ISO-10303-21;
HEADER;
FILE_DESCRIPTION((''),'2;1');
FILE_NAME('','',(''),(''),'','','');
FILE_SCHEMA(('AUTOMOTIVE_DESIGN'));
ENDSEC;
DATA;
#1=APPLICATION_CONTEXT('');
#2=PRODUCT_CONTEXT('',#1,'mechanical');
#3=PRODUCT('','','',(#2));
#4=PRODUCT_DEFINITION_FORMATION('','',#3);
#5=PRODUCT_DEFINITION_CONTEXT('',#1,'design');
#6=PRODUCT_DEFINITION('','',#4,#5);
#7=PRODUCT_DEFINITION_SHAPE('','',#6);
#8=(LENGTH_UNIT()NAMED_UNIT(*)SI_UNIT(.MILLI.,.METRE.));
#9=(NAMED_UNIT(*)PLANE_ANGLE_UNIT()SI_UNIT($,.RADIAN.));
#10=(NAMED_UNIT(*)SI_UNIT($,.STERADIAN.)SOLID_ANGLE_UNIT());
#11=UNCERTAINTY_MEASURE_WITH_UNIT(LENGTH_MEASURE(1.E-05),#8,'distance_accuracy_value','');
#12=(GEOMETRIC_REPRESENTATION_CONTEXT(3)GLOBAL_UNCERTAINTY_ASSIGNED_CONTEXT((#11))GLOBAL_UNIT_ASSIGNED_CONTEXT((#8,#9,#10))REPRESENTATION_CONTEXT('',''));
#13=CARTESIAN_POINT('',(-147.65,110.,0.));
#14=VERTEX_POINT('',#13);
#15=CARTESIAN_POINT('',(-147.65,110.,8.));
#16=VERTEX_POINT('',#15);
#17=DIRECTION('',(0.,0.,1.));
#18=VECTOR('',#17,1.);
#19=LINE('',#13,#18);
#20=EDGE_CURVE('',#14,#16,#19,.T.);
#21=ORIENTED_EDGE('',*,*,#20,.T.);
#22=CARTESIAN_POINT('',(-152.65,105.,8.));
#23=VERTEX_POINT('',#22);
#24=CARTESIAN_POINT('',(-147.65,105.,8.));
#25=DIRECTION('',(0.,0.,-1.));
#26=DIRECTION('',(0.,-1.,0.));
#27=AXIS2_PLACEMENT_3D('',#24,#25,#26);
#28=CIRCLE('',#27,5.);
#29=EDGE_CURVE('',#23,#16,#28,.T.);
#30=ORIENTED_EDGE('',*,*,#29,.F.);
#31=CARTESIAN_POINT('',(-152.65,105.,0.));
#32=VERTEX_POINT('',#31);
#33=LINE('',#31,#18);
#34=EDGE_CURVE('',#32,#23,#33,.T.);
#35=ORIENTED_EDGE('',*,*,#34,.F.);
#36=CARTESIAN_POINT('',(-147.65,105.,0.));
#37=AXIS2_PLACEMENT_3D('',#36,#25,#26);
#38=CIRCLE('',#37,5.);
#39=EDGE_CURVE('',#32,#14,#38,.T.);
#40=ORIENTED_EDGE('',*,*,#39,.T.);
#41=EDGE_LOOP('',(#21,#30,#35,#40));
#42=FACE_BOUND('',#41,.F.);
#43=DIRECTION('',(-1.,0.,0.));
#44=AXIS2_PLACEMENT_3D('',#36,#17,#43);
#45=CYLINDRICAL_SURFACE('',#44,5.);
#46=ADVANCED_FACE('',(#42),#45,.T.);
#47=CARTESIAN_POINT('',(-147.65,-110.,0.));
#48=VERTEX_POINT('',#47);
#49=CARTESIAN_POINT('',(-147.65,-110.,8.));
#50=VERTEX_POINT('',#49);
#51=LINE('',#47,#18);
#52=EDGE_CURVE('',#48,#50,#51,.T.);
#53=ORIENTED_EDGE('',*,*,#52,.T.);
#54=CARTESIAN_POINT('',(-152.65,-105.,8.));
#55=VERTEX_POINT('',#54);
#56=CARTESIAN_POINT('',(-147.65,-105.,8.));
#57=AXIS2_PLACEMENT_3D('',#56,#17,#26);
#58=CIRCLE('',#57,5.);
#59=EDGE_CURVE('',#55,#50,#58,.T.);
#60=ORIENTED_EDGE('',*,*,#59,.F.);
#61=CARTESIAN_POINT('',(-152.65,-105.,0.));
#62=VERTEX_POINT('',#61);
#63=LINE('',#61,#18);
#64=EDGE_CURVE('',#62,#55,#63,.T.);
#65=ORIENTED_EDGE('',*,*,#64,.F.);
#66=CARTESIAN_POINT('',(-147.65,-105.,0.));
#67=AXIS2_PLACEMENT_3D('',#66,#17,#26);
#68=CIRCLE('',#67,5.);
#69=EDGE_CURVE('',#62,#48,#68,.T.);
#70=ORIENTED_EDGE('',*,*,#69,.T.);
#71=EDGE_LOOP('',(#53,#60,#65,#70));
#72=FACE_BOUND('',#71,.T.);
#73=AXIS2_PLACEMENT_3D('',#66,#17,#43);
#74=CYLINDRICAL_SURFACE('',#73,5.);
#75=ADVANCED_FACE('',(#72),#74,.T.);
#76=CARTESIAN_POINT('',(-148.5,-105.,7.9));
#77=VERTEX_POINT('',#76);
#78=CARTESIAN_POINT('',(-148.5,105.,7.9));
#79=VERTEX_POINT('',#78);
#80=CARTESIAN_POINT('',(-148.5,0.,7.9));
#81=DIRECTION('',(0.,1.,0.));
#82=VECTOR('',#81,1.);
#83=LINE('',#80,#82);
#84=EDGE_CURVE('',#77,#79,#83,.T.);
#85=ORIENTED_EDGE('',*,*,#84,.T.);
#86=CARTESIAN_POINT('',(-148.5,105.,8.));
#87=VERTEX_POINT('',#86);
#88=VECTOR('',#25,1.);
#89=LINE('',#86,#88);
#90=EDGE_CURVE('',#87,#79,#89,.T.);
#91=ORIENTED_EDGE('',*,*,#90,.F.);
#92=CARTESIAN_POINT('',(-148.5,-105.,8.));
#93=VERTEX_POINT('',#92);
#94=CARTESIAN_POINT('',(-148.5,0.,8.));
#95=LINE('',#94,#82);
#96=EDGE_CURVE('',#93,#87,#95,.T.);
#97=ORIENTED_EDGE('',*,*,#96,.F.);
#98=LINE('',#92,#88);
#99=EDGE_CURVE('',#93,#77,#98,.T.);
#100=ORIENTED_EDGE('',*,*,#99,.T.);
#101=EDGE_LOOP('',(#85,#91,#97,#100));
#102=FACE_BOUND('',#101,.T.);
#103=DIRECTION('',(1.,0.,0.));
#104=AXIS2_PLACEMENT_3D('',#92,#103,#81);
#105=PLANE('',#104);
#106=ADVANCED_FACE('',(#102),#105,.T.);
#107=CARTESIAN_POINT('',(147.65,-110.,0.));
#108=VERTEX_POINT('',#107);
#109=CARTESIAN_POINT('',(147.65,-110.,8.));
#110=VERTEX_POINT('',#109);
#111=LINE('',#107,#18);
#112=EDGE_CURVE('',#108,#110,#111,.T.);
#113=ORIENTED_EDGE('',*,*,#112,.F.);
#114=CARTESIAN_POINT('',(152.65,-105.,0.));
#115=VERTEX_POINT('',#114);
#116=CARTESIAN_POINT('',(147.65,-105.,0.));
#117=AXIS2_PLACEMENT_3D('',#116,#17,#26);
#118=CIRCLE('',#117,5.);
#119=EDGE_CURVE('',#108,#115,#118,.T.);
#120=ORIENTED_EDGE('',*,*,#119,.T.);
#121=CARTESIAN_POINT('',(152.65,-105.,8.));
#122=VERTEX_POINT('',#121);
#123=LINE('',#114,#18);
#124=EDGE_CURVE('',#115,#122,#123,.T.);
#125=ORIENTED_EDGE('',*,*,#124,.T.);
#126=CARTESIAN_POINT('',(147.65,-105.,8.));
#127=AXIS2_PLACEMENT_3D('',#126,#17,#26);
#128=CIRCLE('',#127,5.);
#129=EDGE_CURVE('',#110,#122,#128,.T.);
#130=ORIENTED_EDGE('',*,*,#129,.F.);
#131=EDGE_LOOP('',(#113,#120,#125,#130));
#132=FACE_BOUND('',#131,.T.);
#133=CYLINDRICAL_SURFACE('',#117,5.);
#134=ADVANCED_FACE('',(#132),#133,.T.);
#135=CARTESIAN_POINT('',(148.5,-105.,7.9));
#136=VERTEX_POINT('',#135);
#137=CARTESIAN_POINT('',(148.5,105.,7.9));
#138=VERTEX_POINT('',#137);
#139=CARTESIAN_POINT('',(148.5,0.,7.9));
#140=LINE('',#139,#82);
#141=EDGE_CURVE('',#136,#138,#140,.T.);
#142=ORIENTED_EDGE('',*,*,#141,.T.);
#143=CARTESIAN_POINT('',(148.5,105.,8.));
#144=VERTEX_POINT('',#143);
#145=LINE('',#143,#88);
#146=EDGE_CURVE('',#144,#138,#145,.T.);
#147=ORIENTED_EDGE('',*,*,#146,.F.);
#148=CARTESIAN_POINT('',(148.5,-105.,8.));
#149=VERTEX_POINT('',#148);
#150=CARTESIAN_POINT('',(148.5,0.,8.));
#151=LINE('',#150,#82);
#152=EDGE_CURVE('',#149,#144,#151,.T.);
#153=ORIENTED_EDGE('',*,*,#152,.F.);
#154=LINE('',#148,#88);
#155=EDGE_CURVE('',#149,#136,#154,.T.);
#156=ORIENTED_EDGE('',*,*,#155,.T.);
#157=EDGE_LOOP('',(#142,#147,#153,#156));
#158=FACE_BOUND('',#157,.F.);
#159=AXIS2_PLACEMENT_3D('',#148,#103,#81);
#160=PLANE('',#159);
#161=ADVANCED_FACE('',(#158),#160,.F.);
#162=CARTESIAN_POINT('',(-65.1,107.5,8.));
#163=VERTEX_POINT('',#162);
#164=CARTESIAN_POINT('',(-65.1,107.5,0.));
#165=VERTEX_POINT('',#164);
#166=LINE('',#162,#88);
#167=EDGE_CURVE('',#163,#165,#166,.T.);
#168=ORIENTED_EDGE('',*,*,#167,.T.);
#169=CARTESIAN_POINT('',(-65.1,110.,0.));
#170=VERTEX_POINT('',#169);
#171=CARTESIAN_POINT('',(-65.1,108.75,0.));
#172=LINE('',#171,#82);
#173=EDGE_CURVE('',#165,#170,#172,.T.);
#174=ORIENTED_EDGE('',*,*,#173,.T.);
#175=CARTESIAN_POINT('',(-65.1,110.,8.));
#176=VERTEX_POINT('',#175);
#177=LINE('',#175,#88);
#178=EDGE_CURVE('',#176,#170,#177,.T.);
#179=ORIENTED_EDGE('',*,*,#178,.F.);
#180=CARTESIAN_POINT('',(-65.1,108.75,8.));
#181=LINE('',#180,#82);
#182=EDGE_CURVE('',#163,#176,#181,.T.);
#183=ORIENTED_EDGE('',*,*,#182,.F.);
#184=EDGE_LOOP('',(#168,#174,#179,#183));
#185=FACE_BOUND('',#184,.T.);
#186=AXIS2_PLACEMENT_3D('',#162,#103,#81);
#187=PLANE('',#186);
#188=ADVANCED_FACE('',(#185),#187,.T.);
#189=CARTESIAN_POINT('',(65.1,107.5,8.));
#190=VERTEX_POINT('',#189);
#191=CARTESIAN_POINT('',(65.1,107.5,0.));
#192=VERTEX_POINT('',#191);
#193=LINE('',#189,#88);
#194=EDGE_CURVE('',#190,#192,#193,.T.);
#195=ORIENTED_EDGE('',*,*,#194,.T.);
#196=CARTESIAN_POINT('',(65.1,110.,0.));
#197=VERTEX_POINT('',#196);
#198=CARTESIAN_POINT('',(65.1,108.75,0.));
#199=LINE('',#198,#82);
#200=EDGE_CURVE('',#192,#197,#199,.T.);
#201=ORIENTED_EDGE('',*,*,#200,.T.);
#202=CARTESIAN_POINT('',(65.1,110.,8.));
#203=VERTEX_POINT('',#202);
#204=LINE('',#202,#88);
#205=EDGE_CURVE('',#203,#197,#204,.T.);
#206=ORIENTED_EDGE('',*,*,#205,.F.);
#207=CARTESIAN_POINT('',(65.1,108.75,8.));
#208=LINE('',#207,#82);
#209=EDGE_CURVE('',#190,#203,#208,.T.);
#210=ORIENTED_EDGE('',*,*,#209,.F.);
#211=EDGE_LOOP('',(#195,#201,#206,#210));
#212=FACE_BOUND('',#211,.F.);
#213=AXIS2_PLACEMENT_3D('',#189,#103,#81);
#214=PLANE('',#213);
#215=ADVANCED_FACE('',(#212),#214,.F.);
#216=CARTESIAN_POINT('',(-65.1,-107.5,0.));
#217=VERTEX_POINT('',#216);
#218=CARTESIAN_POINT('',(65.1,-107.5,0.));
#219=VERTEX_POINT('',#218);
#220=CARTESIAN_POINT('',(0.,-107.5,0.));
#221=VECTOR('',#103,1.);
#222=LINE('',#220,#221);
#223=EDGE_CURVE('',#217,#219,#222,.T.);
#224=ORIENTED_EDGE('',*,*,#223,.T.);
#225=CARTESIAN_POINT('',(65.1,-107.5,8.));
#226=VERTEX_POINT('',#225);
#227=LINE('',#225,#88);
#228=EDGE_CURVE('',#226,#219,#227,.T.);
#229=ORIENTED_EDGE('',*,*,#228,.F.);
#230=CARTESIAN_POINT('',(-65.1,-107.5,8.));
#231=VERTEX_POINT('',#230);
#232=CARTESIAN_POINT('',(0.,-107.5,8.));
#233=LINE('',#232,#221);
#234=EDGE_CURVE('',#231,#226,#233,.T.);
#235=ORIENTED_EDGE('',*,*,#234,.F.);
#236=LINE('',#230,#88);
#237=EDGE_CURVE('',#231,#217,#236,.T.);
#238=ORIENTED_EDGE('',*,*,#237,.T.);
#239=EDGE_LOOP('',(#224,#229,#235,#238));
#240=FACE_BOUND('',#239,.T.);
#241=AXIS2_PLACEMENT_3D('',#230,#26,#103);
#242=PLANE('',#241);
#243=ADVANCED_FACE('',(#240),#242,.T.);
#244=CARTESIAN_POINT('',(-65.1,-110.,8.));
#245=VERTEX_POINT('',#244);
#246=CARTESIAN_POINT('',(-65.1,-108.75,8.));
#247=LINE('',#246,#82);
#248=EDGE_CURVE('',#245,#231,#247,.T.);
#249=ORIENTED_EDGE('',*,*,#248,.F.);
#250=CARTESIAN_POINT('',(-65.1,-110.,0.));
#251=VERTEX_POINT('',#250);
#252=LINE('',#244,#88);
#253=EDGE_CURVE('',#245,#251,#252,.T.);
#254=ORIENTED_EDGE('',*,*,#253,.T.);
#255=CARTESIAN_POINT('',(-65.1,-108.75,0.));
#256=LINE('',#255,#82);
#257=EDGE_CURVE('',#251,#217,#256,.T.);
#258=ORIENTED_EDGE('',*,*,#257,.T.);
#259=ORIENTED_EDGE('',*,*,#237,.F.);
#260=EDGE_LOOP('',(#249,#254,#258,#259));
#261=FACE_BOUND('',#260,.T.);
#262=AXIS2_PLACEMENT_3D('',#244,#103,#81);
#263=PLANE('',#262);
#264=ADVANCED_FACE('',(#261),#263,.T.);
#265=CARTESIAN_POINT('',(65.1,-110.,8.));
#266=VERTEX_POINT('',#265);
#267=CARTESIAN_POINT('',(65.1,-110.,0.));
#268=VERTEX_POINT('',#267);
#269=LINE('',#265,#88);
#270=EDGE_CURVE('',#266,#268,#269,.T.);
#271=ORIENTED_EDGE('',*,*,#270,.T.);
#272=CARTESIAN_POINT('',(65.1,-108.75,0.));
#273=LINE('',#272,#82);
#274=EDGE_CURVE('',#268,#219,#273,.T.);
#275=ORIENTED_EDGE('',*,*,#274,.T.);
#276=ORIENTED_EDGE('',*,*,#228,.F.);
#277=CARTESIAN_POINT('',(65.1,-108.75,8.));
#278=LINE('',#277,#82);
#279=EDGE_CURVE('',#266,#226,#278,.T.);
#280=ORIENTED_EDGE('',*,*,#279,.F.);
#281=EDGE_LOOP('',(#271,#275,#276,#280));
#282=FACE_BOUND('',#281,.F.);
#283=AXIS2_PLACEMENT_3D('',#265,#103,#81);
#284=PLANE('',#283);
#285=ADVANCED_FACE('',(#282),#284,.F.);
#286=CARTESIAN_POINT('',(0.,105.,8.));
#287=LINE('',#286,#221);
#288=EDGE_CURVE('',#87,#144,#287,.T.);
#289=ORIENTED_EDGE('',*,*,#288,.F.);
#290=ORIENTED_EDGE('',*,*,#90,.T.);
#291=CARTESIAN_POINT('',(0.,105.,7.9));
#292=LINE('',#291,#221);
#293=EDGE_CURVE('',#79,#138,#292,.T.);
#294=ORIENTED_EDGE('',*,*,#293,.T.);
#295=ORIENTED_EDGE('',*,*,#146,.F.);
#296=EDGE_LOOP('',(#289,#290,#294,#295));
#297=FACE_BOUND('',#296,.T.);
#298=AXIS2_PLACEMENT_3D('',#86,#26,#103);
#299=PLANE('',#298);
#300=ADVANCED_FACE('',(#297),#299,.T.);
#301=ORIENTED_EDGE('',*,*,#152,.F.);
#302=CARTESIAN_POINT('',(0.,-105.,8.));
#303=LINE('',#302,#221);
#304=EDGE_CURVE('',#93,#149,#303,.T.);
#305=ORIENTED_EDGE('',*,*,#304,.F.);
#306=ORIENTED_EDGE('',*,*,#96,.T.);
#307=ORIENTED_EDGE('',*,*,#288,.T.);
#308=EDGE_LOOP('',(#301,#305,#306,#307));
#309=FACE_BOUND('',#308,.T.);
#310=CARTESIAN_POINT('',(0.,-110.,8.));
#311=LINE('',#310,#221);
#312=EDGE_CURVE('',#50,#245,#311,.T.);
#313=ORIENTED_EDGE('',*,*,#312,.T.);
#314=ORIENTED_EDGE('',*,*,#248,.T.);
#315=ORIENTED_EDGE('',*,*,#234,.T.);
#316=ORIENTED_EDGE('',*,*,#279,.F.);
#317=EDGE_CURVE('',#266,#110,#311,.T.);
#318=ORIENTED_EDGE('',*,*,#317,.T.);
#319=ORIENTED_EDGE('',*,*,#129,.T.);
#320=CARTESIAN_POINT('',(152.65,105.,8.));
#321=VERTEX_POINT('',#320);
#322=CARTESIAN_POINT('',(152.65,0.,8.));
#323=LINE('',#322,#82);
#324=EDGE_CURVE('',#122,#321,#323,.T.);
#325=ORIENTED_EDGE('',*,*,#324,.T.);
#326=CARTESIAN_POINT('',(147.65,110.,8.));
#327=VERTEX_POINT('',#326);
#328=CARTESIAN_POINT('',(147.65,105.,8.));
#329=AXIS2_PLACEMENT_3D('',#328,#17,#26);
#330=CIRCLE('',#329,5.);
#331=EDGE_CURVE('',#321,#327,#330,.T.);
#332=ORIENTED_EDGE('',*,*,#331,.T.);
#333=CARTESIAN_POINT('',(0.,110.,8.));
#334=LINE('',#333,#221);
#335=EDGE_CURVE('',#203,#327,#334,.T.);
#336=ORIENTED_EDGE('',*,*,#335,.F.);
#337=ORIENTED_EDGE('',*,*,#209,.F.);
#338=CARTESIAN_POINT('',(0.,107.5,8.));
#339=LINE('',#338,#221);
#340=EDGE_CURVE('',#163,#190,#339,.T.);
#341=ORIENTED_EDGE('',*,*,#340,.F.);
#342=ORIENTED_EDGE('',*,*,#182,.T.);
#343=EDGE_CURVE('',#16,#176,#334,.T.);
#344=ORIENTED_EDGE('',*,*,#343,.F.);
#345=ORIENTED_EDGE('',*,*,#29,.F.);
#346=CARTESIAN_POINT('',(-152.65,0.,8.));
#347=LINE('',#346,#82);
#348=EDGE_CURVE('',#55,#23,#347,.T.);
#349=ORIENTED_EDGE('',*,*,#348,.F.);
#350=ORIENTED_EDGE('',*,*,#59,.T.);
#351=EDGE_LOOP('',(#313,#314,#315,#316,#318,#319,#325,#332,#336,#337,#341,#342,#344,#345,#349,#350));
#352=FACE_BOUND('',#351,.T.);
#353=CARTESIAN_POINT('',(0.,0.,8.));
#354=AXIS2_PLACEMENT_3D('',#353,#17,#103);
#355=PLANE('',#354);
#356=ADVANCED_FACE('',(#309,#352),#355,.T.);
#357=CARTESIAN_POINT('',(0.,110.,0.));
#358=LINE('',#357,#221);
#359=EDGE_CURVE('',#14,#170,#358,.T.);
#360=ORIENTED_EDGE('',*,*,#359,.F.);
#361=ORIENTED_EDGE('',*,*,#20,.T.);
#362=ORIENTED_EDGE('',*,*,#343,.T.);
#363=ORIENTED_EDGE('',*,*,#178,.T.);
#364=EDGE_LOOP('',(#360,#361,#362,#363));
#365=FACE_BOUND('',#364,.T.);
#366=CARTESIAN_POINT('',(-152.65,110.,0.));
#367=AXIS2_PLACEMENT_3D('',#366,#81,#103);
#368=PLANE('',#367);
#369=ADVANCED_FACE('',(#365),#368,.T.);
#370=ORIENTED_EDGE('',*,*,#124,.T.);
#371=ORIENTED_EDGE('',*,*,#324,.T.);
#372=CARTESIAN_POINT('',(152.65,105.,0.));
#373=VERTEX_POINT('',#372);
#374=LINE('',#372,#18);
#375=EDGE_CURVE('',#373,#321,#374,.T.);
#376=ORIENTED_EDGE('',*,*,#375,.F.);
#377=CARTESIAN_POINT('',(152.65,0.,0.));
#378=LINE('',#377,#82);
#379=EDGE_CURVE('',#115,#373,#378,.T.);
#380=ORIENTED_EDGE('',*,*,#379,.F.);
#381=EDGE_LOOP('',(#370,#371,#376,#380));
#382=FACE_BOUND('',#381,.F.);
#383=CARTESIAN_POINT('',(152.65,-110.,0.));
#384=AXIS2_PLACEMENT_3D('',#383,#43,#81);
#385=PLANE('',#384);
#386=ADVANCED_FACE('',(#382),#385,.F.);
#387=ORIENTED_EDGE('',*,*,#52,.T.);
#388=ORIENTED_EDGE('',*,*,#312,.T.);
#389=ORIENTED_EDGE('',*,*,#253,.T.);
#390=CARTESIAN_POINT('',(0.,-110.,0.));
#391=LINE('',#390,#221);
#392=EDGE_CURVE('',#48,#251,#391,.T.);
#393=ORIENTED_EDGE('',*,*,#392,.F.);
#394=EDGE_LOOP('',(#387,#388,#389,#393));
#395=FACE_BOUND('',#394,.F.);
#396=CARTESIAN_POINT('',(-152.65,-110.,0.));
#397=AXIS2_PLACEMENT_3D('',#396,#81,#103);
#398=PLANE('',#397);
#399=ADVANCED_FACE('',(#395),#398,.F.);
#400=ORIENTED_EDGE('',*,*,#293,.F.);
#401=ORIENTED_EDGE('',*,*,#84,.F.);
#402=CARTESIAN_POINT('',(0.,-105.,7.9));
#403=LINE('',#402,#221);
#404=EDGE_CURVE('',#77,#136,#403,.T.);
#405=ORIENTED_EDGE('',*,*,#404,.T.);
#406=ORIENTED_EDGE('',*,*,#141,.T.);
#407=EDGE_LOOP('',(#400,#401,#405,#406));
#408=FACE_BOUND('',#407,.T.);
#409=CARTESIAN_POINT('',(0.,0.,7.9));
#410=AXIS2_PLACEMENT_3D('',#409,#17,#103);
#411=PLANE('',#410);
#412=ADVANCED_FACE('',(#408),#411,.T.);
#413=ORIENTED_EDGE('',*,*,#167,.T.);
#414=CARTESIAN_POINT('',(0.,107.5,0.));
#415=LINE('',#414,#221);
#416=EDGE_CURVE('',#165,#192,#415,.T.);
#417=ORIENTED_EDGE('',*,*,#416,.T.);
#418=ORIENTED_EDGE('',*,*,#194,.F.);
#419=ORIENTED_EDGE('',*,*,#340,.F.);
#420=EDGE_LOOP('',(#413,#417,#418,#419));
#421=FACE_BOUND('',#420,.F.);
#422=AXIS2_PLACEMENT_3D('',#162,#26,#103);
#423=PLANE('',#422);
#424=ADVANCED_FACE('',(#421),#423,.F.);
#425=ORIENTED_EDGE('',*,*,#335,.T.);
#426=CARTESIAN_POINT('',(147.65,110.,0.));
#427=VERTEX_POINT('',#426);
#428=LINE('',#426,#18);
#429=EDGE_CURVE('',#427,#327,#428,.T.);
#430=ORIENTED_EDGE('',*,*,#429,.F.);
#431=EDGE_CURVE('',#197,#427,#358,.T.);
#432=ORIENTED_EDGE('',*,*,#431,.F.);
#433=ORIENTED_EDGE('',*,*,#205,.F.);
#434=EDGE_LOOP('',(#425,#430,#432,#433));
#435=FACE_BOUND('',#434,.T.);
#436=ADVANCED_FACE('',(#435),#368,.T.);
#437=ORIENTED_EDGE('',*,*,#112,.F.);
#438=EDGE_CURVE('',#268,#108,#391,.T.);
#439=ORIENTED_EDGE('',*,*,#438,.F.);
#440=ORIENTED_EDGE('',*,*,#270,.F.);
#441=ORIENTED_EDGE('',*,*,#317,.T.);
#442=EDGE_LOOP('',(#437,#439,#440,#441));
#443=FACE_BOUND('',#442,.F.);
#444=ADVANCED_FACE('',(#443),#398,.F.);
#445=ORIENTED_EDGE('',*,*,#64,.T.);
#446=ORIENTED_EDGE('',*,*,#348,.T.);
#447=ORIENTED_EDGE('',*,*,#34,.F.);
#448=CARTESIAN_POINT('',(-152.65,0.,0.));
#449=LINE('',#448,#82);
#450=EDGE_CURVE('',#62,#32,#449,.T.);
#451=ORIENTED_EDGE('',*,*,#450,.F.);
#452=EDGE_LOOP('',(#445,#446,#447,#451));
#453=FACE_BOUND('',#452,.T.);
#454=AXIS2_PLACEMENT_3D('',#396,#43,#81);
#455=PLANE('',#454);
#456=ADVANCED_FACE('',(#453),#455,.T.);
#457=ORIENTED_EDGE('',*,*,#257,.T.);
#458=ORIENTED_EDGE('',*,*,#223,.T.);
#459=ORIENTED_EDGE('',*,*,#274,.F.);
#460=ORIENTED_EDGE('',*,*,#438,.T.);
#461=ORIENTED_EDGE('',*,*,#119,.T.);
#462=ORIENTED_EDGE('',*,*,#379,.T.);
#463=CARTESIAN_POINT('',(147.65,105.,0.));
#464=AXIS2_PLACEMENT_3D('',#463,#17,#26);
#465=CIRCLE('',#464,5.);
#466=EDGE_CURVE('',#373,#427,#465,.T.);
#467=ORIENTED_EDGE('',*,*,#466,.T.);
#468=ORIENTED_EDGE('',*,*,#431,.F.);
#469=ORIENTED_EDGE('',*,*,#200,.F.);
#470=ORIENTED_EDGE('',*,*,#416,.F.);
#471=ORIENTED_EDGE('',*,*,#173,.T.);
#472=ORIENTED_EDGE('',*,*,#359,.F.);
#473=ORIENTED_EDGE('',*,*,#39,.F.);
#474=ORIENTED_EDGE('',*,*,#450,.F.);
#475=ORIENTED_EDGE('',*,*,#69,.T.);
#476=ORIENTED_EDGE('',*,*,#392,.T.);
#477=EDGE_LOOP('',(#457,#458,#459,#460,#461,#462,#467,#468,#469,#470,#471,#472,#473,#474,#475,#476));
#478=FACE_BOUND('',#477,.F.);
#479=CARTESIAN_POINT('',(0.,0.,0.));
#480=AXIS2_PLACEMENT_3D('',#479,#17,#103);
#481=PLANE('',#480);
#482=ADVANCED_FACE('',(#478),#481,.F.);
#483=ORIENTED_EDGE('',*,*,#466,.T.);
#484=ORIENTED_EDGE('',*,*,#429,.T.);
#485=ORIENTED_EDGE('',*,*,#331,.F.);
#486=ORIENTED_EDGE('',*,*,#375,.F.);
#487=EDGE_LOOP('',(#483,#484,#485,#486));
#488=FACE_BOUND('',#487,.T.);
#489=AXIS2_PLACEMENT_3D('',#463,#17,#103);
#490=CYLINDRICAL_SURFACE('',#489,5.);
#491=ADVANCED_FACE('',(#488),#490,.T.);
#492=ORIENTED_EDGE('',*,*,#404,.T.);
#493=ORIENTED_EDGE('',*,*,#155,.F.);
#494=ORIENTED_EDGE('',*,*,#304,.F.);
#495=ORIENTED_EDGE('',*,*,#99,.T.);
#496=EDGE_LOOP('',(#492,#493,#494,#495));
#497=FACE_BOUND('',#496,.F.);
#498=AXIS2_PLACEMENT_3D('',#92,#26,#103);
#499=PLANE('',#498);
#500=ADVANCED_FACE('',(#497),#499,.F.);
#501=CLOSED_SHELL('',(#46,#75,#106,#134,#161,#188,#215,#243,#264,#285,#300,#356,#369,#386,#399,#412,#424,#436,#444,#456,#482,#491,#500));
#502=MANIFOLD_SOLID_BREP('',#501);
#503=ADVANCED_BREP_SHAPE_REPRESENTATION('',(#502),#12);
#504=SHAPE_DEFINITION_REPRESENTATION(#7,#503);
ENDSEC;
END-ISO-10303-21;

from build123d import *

# Parameters (mm, degrees)
SKETCH_W        = 305.3
SKETCH_H        = 220
PAD_DEPTH       = 8
FILLET_R        = 5
SKETCH001_W     = 130.2
SKETCH001_H     = 2.5
POCKET_DEPTH    = 8
SKETCH002_W     = 297
SKETCH002_H     = 210
POCKET001_DEPTH = 0.1


with BuildPart() as part:
    # Sketch → Pad (new body)
    with BuildSketch(Plane.XY):
        Rectangle(SKETCH_W, SKETCH_H)
    extrude(amount=PAD_DEPTH)

    # Fillet
    fillet_edges = [part.edges().sort_by_distance(p)[0] for p in [
        (-152.65, 110, 4),
        (-152.65, -110, 4),
        (152.65, -110, 4),
        (152.65, 110, 4),
    ]]
    fillet(fillet_edges, radius=FILLET_R)

    # Sketch001 → Pocket (cut)
    with BuildSketch(Plane.XY.offset(8)):
        with Locations((0, 108.75)):
            Rectangle(SKETCH001_W, SKETCH001_H)
        with Locations((0, -108.75)):
            Rectangle(SKETCH001_W, SKETCH001_H)
    extrude(amount=-POCKET_DEPTH, mode=Mode.SUBTRACT)

    # Sketch002 → Pocket001 (cut)
    with BuildSketch(Plane.XY.offset(8)):
        Rectangle(SKETCH002_W, SKETCH002_H)
    extrude(amount=-POCKET001_DEPTH, mode=Mode.SUBTRACT)


solid = part.part
